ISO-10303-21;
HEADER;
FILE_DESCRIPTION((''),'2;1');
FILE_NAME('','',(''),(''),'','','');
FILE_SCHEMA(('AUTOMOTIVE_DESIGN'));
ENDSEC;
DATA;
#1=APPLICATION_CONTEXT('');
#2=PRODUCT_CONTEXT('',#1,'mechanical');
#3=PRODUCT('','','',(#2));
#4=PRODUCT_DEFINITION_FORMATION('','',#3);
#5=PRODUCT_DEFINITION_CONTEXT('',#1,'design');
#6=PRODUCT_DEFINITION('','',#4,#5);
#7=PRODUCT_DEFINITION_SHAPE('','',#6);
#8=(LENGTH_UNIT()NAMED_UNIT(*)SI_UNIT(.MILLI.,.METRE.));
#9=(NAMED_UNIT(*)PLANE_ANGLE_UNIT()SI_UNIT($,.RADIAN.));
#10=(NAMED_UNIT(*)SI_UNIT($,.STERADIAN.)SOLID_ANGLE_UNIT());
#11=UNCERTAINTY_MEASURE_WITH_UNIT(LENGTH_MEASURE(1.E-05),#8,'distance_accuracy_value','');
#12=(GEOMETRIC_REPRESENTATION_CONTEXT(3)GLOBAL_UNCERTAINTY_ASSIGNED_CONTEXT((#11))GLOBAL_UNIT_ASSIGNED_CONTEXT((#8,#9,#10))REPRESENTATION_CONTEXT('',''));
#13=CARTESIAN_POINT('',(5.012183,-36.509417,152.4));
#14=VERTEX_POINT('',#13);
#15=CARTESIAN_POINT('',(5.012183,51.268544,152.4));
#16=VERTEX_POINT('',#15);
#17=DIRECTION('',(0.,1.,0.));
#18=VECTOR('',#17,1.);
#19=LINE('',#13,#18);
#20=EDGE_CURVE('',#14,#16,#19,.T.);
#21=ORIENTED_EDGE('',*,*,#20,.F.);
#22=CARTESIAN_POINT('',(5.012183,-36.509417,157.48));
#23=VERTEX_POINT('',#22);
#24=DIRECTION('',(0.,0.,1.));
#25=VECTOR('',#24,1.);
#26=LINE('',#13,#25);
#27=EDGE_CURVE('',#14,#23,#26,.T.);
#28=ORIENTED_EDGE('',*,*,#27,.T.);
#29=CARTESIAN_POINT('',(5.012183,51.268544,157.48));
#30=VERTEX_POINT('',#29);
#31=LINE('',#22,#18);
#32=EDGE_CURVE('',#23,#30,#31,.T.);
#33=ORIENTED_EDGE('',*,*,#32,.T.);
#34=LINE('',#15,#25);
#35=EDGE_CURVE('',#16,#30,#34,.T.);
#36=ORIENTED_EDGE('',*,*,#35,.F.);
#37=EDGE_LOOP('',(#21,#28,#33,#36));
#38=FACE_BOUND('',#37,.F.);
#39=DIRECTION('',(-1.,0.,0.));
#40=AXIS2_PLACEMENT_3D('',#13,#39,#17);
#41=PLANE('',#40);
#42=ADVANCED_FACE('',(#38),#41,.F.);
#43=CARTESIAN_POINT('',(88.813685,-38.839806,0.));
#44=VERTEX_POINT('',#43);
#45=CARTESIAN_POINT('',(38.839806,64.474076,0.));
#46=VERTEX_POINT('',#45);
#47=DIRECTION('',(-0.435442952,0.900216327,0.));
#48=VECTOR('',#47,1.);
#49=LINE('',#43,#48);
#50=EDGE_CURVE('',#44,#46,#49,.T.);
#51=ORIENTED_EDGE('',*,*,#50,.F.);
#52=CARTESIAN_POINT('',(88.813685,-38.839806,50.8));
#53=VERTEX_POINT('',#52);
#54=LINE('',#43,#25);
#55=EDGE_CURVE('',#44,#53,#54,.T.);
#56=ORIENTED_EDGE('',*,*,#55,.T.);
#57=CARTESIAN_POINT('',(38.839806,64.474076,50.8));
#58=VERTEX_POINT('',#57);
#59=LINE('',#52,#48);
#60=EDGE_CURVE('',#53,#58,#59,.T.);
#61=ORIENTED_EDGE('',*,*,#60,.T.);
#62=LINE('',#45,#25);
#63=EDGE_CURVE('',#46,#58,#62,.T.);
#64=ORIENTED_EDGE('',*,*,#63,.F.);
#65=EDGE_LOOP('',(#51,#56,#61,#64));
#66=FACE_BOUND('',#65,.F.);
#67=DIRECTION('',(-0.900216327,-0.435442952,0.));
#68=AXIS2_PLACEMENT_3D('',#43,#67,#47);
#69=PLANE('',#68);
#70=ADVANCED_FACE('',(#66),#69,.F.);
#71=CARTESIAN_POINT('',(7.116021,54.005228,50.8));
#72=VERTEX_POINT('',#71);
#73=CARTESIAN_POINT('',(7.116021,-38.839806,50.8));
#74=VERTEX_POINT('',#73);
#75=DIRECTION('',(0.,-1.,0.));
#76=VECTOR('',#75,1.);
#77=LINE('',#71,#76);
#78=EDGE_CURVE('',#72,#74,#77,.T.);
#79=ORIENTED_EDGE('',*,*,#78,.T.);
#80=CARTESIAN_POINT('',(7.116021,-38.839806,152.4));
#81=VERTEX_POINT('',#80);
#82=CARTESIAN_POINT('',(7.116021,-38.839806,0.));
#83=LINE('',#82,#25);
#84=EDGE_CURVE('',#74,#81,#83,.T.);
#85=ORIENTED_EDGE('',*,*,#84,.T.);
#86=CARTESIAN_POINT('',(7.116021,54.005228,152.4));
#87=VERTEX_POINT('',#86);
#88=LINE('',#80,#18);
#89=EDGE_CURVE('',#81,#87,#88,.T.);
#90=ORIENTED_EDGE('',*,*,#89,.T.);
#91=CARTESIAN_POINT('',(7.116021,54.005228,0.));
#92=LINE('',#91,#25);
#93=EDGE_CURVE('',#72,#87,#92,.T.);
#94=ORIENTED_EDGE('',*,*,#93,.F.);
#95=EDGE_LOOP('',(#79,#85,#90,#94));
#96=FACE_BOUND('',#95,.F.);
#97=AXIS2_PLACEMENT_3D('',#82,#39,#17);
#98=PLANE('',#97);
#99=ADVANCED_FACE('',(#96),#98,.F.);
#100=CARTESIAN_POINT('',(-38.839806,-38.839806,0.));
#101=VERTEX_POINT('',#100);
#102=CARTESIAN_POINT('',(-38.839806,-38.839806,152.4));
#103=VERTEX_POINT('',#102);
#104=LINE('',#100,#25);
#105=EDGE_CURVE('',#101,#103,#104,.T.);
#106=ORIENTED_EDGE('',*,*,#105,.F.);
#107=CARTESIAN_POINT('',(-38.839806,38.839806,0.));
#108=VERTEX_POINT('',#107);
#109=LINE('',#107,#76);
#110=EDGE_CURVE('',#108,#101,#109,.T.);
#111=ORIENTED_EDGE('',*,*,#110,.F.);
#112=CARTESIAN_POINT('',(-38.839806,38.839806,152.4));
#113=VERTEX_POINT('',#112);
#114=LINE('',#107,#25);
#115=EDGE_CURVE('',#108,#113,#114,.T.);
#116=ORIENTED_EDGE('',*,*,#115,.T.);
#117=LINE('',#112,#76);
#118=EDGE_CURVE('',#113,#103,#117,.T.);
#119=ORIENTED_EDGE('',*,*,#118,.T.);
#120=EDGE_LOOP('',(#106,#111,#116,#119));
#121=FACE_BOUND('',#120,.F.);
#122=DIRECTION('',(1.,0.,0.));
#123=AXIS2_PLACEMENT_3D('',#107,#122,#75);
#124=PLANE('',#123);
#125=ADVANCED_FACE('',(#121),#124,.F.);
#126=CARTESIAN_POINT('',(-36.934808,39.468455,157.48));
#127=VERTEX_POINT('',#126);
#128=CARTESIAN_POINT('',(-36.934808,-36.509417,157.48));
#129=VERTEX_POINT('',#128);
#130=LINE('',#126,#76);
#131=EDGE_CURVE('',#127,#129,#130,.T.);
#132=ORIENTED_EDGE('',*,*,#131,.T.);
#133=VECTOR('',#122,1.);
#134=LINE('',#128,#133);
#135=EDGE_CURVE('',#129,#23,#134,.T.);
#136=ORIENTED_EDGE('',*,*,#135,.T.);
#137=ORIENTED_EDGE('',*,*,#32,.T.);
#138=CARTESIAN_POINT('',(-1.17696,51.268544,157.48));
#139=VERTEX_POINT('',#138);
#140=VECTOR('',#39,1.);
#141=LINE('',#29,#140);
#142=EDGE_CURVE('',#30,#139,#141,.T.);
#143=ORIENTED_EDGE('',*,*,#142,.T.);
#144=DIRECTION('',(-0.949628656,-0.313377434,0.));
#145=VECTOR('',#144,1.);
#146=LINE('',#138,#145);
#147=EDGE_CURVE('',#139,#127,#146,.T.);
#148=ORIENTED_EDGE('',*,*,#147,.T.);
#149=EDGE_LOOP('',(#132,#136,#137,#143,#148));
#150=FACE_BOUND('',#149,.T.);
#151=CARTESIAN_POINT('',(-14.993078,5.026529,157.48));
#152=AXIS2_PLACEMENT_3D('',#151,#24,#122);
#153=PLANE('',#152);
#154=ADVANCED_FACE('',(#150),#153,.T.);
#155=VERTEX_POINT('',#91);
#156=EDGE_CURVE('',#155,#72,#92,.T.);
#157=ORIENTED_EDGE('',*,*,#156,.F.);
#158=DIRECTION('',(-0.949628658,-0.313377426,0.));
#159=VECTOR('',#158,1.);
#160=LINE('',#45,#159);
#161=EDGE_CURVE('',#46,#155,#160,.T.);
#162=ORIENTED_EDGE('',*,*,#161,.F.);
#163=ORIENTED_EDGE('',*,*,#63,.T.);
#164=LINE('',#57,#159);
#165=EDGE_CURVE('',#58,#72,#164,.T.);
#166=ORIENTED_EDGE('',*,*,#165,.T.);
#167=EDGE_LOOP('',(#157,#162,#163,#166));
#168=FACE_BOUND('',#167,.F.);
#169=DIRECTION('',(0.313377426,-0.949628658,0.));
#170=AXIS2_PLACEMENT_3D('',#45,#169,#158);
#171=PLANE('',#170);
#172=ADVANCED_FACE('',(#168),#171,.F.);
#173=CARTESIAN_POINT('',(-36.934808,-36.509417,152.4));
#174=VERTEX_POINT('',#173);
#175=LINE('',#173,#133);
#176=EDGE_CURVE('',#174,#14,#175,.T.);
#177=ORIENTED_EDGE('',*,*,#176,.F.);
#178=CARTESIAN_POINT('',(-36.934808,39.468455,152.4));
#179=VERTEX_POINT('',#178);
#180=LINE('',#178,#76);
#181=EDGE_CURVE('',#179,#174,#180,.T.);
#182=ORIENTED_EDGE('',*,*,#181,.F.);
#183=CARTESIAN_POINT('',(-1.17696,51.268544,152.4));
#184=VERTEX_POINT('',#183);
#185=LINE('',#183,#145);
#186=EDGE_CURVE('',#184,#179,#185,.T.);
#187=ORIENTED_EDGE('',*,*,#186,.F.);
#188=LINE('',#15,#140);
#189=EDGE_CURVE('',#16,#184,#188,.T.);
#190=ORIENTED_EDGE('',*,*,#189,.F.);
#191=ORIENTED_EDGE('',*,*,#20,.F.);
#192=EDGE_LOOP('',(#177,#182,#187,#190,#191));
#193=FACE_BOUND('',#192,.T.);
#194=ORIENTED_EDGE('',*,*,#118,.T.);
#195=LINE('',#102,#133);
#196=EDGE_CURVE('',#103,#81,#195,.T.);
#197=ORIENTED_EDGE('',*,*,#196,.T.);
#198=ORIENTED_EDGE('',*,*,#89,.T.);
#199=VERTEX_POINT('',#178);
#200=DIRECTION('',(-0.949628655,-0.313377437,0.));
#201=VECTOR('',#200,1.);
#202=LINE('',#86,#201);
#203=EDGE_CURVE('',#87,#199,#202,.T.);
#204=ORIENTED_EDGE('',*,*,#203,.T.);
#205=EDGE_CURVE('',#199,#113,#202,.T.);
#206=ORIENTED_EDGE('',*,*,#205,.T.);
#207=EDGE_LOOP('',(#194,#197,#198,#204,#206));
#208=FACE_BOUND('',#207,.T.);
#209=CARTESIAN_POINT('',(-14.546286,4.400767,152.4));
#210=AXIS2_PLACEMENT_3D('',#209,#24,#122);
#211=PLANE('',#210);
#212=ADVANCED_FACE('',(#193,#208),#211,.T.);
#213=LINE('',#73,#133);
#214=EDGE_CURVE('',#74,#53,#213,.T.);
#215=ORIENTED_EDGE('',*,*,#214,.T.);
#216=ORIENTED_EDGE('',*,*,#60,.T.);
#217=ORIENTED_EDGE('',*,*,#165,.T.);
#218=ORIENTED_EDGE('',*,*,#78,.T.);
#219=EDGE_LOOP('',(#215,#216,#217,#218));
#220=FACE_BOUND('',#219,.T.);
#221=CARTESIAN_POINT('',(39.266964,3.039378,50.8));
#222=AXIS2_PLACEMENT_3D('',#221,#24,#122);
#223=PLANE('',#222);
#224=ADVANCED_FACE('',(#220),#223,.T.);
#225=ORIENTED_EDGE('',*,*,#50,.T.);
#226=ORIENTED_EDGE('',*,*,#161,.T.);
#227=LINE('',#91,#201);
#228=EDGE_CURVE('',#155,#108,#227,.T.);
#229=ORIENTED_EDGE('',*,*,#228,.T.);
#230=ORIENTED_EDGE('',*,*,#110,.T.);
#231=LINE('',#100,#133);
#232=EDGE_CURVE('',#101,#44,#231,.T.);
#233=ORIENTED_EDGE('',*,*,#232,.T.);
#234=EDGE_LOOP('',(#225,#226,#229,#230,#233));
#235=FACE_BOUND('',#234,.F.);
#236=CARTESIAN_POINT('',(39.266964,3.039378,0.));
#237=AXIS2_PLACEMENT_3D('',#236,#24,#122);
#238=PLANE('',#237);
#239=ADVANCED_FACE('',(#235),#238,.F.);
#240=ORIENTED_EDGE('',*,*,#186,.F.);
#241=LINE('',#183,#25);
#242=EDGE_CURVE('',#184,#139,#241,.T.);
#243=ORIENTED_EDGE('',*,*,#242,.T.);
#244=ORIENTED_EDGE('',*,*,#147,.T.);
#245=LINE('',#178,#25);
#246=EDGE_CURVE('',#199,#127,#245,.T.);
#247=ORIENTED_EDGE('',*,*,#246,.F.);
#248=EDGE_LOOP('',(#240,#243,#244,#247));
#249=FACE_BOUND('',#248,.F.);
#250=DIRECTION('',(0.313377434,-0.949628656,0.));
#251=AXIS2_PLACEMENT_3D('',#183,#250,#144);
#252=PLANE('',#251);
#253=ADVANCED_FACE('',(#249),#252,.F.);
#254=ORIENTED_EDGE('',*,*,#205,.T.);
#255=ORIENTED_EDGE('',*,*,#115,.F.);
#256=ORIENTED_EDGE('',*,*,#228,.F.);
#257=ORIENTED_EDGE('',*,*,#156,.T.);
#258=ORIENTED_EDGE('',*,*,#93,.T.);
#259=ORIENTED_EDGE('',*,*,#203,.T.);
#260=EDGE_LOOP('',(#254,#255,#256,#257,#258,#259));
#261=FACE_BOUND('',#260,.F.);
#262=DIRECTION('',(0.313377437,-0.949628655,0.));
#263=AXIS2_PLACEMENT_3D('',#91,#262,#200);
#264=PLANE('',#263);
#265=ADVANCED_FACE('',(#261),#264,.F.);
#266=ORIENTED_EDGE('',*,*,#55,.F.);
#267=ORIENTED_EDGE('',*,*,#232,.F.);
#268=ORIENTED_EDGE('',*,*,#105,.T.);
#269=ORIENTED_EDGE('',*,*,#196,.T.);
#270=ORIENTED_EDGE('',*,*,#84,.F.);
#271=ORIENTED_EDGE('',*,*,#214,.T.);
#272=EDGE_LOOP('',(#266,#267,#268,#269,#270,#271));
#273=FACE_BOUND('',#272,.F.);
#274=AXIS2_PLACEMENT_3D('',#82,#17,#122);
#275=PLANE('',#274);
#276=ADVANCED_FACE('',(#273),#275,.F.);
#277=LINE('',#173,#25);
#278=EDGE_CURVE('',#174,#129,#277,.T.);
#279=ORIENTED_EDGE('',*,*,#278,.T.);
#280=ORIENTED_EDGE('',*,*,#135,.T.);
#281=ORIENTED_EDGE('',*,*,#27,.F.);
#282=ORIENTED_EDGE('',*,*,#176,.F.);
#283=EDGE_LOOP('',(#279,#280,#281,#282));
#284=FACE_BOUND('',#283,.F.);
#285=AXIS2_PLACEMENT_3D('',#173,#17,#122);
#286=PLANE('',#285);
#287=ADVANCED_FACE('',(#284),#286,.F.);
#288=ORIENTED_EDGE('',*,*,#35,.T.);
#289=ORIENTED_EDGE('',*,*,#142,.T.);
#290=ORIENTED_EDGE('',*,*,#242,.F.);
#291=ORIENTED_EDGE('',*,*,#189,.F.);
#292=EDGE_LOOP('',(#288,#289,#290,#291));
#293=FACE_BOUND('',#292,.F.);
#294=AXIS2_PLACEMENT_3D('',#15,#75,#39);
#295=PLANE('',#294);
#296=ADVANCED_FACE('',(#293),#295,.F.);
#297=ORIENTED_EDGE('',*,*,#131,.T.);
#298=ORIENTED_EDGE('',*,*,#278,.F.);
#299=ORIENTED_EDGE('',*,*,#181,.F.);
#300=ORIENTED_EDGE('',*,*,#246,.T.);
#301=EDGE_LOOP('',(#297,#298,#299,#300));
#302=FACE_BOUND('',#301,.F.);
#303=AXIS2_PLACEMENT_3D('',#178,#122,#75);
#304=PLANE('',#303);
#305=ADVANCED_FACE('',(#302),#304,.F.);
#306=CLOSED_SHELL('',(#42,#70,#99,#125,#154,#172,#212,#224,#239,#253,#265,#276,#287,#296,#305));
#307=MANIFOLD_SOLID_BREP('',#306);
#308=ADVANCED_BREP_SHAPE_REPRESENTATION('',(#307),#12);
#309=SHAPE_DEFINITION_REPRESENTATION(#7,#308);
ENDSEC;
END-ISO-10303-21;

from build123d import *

# Parameters (mm, degrees)
F1_DEPTH = 152.4
F2_DEPTH = 50.8
F4_DEPTH = 5.08


with BuildPart() as f1:
    # F0 (on Top) → F1 (new body)
    with BuildSketch(Plane.XY):
        Polygon((-38.839806, 38.839806), (-38.839806, -38.839806), (7.116021, -38.839806), (7.116021, 54.005228), align=None)
    extrude(amount=F1_DEPTH)

    # F0 (on Top) → F2 (join)
    with BuildSketch(Plane.XY):
        Polygon((7.116021, 54.005228), (7.116021, -38.839806), (38.839806, -38.839806), (88.813685, -38.839806), (38.839806, 64.474076), align=None)
    extrude(amount=F2_DEPTH)

    # F3 (on face) → F4 (join)
    with BuildSketch(Plane.XY.offset(152.4)):
        Polygon((5.012183, -36.509417), (5.012183, 51.268544), (-1.17696, 51.268544), (-36.934808, 39.468455), (-36.934808, -36.509417), align=None)
    extrude(amount=F4_DEPTH)


solid = f1.part
